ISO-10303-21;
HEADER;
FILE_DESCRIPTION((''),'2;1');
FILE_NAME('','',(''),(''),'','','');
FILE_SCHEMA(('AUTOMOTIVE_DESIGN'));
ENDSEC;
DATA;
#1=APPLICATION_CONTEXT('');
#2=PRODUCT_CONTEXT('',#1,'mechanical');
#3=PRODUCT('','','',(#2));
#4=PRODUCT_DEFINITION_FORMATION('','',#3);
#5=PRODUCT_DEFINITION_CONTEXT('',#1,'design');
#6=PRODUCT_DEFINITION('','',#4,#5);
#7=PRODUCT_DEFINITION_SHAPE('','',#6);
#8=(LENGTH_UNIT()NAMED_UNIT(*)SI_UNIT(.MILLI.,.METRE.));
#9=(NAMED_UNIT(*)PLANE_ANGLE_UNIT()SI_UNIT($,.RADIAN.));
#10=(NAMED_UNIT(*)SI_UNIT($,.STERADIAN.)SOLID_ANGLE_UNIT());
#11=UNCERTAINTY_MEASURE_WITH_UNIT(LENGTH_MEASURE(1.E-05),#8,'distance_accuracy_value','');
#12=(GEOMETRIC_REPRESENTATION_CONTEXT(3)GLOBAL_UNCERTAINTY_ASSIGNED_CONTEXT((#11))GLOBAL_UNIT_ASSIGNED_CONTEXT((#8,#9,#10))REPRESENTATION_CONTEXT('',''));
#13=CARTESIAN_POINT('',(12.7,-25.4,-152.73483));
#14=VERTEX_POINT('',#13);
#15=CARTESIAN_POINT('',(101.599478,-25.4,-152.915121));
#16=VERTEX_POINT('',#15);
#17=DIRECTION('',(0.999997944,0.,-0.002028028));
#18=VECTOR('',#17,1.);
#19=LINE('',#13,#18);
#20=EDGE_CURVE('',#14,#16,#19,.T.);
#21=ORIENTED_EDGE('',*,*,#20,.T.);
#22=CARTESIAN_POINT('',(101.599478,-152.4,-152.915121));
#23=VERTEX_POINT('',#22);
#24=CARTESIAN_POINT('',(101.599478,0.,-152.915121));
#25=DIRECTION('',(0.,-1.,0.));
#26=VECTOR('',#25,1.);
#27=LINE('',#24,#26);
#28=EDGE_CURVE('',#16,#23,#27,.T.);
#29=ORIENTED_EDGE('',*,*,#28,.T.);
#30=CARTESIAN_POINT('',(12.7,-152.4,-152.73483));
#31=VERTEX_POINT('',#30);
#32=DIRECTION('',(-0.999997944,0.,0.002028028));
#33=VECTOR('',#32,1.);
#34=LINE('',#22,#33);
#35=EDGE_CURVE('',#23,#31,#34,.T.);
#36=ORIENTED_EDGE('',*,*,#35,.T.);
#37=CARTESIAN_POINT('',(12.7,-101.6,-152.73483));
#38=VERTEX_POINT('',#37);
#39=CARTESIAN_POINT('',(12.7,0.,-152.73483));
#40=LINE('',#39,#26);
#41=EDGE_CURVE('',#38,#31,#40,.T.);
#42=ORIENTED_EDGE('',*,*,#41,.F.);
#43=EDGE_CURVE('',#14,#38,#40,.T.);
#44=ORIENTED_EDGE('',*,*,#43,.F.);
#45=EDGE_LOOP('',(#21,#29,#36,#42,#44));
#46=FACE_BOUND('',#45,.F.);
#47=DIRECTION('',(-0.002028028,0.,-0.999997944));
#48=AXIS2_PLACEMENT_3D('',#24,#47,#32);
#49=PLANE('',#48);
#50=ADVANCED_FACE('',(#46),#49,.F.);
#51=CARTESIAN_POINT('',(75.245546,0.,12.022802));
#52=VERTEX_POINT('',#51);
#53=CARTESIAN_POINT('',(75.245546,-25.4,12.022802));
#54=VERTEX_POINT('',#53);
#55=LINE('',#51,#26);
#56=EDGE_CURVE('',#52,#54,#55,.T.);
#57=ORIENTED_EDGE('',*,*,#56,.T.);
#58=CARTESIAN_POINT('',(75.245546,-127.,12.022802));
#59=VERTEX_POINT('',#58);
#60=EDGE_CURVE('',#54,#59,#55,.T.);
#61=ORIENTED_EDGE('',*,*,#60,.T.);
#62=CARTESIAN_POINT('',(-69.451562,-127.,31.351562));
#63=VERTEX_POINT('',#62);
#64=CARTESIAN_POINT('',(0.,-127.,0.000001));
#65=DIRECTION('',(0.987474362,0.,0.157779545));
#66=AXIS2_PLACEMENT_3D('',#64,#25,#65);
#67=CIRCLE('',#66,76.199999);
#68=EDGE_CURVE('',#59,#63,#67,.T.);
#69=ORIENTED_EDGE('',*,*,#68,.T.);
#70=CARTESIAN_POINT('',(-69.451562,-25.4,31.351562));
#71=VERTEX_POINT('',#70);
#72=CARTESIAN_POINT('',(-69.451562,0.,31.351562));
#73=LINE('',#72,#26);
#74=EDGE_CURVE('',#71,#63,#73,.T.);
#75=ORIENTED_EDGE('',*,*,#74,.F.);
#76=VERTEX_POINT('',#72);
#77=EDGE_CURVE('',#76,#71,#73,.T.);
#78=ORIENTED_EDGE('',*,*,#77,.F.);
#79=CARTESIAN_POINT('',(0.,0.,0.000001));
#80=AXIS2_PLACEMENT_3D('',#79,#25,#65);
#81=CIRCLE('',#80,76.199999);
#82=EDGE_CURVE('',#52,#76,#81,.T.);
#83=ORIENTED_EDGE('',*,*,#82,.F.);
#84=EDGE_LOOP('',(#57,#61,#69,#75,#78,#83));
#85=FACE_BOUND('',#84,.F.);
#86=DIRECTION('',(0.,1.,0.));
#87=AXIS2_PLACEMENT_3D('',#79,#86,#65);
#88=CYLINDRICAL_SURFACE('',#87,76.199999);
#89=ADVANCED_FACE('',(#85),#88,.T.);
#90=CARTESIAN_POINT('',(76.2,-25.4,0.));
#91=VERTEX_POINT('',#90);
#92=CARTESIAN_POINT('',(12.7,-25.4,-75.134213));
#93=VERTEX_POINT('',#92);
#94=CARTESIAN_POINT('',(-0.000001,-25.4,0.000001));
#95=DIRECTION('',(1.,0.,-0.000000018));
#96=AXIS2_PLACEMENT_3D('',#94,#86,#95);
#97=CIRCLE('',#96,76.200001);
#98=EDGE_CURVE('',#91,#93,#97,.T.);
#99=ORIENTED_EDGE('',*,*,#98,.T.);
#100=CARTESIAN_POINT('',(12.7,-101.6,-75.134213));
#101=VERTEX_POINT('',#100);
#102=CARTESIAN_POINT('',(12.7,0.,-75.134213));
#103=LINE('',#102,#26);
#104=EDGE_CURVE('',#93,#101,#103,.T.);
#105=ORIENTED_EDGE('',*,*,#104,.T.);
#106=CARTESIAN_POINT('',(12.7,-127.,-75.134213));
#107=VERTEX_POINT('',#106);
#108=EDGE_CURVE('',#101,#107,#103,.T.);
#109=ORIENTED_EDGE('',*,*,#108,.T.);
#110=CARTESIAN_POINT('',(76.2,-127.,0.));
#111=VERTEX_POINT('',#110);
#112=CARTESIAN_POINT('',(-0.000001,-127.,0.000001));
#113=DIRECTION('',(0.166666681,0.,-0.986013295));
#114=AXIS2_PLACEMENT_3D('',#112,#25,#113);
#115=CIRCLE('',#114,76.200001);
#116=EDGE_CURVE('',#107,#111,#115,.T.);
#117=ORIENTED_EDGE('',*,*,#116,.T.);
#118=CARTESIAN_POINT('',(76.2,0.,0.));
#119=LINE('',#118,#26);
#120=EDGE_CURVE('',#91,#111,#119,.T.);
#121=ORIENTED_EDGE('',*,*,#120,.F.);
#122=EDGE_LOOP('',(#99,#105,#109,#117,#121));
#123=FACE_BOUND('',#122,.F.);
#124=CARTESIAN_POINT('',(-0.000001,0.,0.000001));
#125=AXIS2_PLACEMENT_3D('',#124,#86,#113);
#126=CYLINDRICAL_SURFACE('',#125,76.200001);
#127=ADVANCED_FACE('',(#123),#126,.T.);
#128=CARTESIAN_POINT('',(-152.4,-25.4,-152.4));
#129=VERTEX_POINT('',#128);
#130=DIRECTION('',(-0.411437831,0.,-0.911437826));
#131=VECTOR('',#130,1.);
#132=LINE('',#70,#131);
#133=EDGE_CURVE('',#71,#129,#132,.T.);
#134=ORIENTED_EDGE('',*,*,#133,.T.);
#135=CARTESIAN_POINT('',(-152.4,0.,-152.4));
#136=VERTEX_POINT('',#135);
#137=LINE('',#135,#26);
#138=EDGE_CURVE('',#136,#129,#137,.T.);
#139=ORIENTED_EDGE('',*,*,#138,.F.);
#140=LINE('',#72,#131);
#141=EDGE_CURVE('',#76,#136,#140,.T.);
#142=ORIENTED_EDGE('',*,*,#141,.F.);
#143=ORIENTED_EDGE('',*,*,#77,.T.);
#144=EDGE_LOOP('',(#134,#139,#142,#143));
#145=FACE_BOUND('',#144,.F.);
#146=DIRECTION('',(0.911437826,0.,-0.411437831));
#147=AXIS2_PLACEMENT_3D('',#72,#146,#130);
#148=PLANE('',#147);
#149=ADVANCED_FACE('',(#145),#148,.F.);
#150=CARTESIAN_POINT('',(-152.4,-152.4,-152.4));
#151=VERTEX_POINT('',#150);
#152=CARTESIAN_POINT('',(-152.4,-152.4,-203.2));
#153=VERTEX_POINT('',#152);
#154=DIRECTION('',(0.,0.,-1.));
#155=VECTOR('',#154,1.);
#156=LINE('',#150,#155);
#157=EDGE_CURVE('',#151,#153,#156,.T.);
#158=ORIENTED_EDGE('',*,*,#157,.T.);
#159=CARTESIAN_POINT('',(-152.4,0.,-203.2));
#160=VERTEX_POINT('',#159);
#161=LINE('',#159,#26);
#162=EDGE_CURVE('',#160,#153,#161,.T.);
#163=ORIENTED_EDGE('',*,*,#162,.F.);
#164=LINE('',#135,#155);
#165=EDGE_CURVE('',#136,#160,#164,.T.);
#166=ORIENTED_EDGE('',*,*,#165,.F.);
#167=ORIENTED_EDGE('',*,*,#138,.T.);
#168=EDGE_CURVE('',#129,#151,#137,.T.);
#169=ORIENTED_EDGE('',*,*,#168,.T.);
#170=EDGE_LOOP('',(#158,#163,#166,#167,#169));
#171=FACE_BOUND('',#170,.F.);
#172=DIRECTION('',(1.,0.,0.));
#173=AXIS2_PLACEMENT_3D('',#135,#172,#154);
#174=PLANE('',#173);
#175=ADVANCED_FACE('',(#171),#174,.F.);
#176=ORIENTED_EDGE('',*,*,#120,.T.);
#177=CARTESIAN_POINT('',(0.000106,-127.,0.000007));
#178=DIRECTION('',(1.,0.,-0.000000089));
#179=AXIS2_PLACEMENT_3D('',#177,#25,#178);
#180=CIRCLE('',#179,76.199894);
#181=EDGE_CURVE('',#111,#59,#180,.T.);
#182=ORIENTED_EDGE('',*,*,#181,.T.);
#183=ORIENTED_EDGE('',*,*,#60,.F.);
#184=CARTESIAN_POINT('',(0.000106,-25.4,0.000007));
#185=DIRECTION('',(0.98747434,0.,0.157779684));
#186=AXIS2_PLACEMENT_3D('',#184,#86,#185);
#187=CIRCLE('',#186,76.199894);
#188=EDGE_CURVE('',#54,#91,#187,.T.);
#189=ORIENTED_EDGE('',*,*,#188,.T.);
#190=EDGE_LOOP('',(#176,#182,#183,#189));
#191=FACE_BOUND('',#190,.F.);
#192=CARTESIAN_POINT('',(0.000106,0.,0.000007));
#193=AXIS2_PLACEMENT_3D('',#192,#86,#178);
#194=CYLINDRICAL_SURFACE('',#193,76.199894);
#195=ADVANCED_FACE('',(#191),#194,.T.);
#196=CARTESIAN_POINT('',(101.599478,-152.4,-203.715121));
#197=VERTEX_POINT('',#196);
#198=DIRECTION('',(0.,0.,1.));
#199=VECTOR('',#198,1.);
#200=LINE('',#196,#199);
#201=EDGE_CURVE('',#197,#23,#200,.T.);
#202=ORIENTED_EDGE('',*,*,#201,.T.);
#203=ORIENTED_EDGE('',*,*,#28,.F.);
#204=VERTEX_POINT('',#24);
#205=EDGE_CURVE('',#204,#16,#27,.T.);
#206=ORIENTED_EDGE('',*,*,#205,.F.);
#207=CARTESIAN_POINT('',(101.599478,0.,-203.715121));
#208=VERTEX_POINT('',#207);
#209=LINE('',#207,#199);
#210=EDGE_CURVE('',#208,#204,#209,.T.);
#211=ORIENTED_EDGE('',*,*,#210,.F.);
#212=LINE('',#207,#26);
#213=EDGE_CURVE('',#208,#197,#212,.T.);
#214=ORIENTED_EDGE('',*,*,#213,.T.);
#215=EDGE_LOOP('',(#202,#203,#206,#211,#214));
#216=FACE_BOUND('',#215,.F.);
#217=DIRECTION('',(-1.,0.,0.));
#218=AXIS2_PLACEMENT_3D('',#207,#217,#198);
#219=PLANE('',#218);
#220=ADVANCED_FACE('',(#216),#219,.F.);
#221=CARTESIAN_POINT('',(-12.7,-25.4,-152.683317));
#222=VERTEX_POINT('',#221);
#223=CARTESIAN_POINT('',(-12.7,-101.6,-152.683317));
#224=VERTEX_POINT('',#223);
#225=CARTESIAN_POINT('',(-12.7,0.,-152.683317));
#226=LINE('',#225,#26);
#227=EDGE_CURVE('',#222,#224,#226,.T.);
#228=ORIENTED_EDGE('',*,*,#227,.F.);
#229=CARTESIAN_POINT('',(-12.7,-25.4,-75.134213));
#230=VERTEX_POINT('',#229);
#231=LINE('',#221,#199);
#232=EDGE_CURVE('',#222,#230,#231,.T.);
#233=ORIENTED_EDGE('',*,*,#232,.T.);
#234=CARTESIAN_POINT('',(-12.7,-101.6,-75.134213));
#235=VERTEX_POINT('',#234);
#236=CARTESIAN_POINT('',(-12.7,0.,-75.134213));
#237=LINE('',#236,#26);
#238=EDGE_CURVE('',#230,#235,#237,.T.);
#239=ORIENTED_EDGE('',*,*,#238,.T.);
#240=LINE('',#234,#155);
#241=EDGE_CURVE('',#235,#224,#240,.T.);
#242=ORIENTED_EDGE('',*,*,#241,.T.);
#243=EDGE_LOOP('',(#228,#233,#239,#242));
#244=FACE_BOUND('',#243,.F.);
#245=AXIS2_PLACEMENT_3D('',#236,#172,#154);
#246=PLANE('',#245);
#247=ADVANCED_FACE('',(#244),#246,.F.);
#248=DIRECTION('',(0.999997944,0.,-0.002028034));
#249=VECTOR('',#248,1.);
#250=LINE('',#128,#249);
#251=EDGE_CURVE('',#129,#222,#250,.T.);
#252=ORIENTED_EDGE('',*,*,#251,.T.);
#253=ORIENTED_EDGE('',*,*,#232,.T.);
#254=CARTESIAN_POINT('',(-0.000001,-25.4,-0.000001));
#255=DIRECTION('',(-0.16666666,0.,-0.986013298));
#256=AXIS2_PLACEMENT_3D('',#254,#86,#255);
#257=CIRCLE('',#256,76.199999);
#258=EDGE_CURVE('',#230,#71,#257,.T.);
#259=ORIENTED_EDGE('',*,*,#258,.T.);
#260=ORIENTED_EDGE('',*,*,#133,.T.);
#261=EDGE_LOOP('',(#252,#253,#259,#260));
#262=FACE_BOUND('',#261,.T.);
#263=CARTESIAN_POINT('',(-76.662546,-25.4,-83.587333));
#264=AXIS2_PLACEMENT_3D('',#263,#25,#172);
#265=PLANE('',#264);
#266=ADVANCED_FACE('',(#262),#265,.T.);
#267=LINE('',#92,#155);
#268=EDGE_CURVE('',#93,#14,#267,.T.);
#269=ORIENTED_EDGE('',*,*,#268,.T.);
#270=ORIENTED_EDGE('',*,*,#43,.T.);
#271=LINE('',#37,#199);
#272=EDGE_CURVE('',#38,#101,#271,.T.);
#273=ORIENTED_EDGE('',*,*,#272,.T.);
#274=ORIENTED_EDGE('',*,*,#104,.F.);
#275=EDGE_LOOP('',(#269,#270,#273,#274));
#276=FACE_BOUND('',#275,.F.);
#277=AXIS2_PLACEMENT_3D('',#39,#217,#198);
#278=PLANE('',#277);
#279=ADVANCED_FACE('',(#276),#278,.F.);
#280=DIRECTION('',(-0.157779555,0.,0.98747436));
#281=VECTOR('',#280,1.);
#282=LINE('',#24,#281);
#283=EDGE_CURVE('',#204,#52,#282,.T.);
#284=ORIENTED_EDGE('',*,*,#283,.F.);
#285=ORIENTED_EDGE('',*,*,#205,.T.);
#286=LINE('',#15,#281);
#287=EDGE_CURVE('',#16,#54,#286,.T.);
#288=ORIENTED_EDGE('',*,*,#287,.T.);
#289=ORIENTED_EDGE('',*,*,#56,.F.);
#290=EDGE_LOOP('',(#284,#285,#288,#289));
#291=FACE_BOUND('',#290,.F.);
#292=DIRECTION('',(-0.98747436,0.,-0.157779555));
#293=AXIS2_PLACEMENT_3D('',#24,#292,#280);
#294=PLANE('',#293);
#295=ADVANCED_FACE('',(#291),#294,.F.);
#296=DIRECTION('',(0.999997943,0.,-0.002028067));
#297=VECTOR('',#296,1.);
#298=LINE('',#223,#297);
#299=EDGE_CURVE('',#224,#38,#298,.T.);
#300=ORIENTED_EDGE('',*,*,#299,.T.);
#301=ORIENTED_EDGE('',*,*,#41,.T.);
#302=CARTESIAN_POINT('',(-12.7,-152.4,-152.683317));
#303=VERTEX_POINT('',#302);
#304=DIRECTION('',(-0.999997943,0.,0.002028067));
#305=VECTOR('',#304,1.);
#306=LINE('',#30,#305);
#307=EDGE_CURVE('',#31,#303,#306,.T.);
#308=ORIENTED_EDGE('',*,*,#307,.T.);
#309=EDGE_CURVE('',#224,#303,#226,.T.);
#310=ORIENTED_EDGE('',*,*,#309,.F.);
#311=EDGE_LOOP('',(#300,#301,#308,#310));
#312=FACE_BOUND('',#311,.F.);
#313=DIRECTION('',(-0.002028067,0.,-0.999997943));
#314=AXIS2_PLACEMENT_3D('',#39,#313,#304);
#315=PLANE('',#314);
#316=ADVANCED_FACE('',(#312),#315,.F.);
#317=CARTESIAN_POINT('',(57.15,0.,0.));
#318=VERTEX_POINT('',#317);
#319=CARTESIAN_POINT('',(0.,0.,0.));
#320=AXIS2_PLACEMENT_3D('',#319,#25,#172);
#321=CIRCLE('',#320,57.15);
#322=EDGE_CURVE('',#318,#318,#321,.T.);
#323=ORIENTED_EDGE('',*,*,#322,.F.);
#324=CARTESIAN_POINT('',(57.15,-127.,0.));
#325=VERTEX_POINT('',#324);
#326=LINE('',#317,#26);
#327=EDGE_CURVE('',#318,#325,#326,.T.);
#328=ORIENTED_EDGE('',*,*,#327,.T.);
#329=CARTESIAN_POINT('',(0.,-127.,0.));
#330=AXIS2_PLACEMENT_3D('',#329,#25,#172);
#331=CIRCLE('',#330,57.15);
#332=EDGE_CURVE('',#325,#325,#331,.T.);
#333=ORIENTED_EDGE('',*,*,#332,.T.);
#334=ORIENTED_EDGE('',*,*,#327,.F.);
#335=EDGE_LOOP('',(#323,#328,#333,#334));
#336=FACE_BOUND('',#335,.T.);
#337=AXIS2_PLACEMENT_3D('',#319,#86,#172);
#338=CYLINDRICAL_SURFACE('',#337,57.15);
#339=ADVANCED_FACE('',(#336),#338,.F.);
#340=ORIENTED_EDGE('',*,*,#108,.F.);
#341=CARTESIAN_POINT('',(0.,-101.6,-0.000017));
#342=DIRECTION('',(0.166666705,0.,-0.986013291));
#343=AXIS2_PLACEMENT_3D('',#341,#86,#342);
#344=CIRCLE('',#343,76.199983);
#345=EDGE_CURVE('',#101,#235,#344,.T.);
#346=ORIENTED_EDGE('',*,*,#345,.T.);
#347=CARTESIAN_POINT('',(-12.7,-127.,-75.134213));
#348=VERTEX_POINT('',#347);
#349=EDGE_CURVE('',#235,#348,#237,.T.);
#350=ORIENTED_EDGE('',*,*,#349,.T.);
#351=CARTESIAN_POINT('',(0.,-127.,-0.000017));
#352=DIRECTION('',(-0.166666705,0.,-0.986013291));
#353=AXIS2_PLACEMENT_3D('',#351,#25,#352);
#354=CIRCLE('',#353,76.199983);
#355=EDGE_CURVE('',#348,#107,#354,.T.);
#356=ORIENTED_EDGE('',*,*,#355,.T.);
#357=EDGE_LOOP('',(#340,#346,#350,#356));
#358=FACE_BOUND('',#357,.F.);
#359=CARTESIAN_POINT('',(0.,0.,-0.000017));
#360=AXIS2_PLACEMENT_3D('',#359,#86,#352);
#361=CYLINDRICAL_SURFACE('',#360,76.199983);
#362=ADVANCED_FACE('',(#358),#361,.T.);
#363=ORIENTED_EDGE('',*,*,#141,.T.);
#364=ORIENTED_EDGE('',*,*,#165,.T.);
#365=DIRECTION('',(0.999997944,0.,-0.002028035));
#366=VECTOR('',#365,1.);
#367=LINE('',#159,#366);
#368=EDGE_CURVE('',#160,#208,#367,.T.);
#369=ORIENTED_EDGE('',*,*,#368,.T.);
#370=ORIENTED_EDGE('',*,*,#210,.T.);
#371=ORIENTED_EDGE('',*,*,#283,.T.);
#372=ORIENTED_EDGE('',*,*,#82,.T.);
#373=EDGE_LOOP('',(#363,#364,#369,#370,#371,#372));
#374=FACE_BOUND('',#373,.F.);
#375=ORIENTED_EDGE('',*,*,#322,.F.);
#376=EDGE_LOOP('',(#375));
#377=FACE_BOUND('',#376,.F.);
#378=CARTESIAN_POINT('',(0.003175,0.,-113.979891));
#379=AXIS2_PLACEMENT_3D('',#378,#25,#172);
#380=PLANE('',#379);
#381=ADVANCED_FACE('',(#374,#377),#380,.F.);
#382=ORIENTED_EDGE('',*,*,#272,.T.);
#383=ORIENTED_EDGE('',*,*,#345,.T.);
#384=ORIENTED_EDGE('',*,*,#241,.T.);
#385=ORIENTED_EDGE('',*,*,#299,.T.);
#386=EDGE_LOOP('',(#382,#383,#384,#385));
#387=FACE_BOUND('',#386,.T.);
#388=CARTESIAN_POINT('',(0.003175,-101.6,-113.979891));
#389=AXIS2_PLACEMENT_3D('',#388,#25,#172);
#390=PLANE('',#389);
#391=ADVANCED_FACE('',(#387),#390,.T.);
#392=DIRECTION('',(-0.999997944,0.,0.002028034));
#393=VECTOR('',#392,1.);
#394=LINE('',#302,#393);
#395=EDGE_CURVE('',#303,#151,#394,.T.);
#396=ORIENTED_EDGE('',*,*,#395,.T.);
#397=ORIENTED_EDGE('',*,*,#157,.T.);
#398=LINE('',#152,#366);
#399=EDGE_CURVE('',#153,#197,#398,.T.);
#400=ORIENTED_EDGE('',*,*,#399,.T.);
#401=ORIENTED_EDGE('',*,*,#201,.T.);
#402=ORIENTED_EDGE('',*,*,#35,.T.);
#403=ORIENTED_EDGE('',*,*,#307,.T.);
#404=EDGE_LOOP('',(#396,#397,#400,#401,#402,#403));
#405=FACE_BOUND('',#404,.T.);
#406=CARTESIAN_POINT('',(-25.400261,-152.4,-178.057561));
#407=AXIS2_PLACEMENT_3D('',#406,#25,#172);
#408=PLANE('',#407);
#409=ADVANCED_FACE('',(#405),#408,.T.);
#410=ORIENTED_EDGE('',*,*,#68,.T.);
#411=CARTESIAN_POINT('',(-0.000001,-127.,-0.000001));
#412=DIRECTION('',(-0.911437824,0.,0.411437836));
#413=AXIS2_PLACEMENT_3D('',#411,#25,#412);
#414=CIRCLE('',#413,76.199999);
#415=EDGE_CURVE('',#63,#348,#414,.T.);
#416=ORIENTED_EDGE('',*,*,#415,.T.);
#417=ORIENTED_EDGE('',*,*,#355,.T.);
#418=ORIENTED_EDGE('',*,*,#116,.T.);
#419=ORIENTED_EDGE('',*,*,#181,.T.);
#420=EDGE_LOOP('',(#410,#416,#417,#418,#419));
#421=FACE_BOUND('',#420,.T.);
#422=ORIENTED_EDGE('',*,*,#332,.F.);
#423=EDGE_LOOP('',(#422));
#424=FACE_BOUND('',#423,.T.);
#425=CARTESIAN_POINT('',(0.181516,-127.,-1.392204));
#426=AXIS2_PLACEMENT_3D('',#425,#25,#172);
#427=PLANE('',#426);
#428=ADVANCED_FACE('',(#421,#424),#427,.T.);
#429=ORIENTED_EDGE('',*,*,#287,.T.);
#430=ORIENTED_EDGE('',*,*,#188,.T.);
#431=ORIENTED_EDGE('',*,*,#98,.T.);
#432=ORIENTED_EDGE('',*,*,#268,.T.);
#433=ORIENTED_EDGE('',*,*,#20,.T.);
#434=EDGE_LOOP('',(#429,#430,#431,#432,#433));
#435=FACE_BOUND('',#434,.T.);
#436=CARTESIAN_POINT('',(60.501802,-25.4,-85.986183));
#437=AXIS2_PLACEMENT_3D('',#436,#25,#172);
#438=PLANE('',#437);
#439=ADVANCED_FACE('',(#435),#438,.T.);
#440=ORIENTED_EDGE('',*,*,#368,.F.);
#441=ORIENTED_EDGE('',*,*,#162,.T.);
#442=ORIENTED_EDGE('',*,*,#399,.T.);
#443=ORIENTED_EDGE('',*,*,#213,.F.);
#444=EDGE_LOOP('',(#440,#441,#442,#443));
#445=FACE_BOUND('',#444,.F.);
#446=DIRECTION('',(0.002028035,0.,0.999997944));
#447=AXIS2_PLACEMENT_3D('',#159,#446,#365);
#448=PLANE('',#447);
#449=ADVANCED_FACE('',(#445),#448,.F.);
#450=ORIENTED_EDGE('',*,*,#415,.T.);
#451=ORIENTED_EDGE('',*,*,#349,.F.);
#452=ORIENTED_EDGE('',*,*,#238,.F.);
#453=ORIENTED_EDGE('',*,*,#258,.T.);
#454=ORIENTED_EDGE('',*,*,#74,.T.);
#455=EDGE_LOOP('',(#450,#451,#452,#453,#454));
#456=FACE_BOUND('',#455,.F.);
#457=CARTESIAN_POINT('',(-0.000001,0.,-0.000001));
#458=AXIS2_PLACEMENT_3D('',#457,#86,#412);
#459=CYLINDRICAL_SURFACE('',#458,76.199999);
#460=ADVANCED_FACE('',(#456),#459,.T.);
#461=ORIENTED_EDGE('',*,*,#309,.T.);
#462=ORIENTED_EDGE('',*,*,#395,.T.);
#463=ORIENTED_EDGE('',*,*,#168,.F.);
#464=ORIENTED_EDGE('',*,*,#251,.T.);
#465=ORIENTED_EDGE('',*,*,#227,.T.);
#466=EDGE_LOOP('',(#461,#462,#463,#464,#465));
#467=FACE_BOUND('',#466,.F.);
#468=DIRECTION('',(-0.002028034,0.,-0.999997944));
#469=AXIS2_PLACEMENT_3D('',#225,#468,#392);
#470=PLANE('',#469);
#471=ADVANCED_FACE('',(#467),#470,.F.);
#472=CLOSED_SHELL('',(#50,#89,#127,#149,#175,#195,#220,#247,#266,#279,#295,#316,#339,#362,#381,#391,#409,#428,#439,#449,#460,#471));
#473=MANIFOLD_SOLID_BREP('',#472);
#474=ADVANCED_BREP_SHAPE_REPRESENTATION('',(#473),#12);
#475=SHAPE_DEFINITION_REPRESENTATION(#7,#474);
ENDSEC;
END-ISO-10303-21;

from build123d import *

# Parameters (mm, degrees)
F1_DEPTH = 152.4
F2_DEPTH = 25.4
F3_DEPTH = 101.6
F0_R     = 57.15
F4_DEPTH = 127


with BuildPart() as f1:
    # F0 (on Front) → F1 (new body)
    with BuildSketch(Plane.XZ):
        Polygon((101.599478, -203.715121), (101.599478, -152.915121), (12.7, -152.73483), (-12.7, -152.683317), (-152.4, -152.4), (-152.4, -203.2), align=None)
    extrude(amount=F1_DEPTH)

    # F0 (on Front) → F2 (join)
    with BuildSketch(Plane.XZ):
        with BuildLine():
            ThreePointArc((75.245546, 12.022802), (75.961012, 6.030314), (76.2, 0))
            ThreePointArc((76.2, 0), (58.198711, -49.186888), (12.7, -75.134213))
            Line((12.7, -75.134213), (12.7, -152.73483))
            Line((12.7, -152.73483), (101.599478, -152.915121))
            Line((101.599478, -152.915121), (75.245546, 12.022802))
        make_face()
        with BuildLine():
            ThreePointArc((-12.7, -75.134213), (-67.246003, -35.838737), (-69.451562, 31.351562))
            Line((-69.451562, 31.351562), (-152.4, -152.4))
            Line((-152.4, -152.4), (-12.7, -152.683317))
            Line((-12.7, -152.683317), (-12.7, -152.4))
            Line((-12.7, -152.4), (-12.7, -75.134213))
        make_face()
    extrude(amount=F2_DEPTH)

    # F0 (on Front) → F3 (join)
    with BuildSketch(Plane.XZ):
        with BuildLine():
            Line((12.7, -152.73483), (12.7, -75.134213))
            ThreePointArc((12.7, -75.134213), (0, -76.2), (-12.7, -75.134213))
            Line((-12.7, -75.134213), (-12.7, -152.4))
            Line((-12.7, -152.4), (-12.7, -152.683317))
            Line((-12.7, -152.683317), (12.7, -152.73483))
        make_face()
    extrude(amount=F3_DEPTH)

    # F0 (on Front) → F4 (join)
    with BuildSketch(Plane.XZ):
        with BuildLine():
            ThreePointArc((12.7, -75.134213), (58.198711, -49.186888), (76.2, 0))
            ThreePointArc((76.2, 0), (75.961012, 6.030314), (75.245546, 12.022802))
            ThreePointArc((75.245546, 12.022802), (10.089242, 75.529115), (-69.451562, 31.351562))
            ThreePointArc((-69.451562, 31.351562), (-67.246003, -35.838737), (-12.7, -75.134213))
            ThreePointArc((-12.7, -75.134213), (0, -76.2), (12.7, -75.134213))
        make_face()
        Circle(F0_R, mode=Mode.SUBTRACT)
    extrude(amount=F4_DEPTH)


solid = f1.part
